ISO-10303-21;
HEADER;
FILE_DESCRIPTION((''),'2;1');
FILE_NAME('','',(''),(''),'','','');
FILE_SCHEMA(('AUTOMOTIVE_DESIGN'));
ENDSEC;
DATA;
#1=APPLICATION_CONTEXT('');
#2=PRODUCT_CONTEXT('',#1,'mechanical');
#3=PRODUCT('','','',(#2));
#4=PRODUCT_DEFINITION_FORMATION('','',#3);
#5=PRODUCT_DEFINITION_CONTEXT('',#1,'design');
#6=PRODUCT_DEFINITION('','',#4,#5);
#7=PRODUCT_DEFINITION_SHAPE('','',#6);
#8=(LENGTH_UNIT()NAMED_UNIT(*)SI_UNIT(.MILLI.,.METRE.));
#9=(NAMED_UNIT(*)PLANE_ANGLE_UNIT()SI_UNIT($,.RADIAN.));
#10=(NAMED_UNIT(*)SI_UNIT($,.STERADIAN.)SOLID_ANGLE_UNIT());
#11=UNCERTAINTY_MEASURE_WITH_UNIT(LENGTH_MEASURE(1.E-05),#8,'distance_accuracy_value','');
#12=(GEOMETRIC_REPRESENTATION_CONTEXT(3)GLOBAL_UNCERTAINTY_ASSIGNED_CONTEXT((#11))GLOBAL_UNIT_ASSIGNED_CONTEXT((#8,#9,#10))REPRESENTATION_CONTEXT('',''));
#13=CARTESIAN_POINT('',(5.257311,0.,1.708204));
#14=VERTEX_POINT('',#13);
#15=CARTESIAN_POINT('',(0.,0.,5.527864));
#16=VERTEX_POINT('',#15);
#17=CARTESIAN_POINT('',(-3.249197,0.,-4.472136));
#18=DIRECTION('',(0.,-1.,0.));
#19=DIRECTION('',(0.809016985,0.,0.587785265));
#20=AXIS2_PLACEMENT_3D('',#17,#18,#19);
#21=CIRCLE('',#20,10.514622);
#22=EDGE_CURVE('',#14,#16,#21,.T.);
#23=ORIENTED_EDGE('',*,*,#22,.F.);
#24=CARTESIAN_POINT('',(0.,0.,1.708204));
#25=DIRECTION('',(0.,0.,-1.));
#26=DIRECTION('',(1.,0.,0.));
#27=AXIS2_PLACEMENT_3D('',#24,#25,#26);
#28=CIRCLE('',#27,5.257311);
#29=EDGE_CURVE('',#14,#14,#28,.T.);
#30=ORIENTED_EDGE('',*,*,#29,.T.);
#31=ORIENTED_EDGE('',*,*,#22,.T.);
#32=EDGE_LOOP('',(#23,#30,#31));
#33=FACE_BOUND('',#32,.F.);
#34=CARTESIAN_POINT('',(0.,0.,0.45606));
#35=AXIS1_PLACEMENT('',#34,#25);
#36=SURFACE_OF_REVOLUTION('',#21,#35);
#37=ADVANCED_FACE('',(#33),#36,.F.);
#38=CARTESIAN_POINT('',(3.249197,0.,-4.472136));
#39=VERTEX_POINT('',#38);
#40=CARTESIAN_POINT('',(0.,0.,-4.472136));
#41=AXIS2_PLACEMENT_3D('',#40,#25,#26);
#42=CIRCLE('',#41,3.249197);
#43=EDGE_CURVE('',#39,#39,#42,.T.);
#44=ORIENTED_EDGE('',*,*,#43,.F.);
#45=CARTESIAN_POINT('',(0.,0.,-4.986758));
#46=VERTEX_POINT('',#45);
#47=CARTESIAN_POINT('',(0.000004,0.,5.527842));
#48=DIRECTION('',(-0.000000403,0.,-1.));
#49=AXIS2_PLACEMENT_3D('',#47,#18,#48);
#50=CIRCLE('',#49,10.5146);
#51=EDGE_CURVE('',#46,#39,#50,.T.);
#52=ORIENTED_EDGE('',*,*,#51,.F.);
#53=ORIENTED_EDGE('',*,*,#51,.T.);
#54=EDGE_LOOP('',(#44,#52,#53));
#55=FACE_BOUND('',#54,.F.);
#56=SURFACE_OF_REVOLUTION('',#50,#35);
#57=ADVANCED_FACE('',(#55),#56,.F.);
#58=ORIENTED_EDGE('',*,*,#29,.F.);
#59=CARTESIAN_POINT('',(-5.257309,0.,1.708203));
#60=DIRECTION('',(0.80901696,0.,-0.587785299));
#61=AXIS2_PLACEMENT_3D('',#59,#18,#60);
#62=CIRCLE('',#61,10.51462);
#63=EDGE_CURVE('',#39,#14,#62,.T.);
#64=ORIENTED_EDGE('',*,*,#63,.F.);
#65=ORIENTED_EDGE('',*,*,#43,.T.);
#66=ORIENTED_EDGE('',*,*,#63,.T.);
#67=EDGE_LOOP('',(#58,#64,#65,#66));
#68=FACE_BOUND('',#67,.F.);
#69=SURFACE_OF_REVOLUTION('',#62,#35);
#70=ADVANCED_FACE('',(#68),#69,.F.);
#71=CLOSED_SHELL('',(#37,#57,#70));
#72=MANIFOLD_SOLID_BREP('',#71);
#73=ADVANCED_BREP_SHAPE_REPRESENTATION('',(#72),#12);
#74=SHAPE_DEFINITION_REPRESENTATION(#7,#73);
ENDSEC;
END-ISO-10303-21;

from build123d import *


with BuildPart() as f1:
    # F0 (on Front) → F1 (revolve)
    with BuildSketch(Plane.XZ):
        with BuildLine():
            ThreePointArc((0, -4.986758), (1.644849, -4.857306), (3.249197, -4.472136))
            Line((3.249197, -4.472136), (0, -4.472136))
            Line((0, -4.472136), (0, -4.986758))
        make_face()
        Polygon((0, -4.472136), (3.249197, -4.472136), (5.257311, 1.708204), (0, 5.527864), align=None)
        with BuildLine():
            Line((5.257311, 1.708204), (3.249197, -4.472136))
            ThreePointArc((3.249197, -4.472136), (4.742689, -1.540993), (5.257311, 1.708204))
        make_face()
        with BuildLine():
            Line((0, 5.527864), (5.257311, 1.708204))
            ThreePointArc((5.257311, 1.708204), (2.931143, 4.034372), (0, 5.527864))
        make_face()
    revolve(axis=Axis((0, 0, 0.45606), (0, 0, -1)))


solid = f1.part
